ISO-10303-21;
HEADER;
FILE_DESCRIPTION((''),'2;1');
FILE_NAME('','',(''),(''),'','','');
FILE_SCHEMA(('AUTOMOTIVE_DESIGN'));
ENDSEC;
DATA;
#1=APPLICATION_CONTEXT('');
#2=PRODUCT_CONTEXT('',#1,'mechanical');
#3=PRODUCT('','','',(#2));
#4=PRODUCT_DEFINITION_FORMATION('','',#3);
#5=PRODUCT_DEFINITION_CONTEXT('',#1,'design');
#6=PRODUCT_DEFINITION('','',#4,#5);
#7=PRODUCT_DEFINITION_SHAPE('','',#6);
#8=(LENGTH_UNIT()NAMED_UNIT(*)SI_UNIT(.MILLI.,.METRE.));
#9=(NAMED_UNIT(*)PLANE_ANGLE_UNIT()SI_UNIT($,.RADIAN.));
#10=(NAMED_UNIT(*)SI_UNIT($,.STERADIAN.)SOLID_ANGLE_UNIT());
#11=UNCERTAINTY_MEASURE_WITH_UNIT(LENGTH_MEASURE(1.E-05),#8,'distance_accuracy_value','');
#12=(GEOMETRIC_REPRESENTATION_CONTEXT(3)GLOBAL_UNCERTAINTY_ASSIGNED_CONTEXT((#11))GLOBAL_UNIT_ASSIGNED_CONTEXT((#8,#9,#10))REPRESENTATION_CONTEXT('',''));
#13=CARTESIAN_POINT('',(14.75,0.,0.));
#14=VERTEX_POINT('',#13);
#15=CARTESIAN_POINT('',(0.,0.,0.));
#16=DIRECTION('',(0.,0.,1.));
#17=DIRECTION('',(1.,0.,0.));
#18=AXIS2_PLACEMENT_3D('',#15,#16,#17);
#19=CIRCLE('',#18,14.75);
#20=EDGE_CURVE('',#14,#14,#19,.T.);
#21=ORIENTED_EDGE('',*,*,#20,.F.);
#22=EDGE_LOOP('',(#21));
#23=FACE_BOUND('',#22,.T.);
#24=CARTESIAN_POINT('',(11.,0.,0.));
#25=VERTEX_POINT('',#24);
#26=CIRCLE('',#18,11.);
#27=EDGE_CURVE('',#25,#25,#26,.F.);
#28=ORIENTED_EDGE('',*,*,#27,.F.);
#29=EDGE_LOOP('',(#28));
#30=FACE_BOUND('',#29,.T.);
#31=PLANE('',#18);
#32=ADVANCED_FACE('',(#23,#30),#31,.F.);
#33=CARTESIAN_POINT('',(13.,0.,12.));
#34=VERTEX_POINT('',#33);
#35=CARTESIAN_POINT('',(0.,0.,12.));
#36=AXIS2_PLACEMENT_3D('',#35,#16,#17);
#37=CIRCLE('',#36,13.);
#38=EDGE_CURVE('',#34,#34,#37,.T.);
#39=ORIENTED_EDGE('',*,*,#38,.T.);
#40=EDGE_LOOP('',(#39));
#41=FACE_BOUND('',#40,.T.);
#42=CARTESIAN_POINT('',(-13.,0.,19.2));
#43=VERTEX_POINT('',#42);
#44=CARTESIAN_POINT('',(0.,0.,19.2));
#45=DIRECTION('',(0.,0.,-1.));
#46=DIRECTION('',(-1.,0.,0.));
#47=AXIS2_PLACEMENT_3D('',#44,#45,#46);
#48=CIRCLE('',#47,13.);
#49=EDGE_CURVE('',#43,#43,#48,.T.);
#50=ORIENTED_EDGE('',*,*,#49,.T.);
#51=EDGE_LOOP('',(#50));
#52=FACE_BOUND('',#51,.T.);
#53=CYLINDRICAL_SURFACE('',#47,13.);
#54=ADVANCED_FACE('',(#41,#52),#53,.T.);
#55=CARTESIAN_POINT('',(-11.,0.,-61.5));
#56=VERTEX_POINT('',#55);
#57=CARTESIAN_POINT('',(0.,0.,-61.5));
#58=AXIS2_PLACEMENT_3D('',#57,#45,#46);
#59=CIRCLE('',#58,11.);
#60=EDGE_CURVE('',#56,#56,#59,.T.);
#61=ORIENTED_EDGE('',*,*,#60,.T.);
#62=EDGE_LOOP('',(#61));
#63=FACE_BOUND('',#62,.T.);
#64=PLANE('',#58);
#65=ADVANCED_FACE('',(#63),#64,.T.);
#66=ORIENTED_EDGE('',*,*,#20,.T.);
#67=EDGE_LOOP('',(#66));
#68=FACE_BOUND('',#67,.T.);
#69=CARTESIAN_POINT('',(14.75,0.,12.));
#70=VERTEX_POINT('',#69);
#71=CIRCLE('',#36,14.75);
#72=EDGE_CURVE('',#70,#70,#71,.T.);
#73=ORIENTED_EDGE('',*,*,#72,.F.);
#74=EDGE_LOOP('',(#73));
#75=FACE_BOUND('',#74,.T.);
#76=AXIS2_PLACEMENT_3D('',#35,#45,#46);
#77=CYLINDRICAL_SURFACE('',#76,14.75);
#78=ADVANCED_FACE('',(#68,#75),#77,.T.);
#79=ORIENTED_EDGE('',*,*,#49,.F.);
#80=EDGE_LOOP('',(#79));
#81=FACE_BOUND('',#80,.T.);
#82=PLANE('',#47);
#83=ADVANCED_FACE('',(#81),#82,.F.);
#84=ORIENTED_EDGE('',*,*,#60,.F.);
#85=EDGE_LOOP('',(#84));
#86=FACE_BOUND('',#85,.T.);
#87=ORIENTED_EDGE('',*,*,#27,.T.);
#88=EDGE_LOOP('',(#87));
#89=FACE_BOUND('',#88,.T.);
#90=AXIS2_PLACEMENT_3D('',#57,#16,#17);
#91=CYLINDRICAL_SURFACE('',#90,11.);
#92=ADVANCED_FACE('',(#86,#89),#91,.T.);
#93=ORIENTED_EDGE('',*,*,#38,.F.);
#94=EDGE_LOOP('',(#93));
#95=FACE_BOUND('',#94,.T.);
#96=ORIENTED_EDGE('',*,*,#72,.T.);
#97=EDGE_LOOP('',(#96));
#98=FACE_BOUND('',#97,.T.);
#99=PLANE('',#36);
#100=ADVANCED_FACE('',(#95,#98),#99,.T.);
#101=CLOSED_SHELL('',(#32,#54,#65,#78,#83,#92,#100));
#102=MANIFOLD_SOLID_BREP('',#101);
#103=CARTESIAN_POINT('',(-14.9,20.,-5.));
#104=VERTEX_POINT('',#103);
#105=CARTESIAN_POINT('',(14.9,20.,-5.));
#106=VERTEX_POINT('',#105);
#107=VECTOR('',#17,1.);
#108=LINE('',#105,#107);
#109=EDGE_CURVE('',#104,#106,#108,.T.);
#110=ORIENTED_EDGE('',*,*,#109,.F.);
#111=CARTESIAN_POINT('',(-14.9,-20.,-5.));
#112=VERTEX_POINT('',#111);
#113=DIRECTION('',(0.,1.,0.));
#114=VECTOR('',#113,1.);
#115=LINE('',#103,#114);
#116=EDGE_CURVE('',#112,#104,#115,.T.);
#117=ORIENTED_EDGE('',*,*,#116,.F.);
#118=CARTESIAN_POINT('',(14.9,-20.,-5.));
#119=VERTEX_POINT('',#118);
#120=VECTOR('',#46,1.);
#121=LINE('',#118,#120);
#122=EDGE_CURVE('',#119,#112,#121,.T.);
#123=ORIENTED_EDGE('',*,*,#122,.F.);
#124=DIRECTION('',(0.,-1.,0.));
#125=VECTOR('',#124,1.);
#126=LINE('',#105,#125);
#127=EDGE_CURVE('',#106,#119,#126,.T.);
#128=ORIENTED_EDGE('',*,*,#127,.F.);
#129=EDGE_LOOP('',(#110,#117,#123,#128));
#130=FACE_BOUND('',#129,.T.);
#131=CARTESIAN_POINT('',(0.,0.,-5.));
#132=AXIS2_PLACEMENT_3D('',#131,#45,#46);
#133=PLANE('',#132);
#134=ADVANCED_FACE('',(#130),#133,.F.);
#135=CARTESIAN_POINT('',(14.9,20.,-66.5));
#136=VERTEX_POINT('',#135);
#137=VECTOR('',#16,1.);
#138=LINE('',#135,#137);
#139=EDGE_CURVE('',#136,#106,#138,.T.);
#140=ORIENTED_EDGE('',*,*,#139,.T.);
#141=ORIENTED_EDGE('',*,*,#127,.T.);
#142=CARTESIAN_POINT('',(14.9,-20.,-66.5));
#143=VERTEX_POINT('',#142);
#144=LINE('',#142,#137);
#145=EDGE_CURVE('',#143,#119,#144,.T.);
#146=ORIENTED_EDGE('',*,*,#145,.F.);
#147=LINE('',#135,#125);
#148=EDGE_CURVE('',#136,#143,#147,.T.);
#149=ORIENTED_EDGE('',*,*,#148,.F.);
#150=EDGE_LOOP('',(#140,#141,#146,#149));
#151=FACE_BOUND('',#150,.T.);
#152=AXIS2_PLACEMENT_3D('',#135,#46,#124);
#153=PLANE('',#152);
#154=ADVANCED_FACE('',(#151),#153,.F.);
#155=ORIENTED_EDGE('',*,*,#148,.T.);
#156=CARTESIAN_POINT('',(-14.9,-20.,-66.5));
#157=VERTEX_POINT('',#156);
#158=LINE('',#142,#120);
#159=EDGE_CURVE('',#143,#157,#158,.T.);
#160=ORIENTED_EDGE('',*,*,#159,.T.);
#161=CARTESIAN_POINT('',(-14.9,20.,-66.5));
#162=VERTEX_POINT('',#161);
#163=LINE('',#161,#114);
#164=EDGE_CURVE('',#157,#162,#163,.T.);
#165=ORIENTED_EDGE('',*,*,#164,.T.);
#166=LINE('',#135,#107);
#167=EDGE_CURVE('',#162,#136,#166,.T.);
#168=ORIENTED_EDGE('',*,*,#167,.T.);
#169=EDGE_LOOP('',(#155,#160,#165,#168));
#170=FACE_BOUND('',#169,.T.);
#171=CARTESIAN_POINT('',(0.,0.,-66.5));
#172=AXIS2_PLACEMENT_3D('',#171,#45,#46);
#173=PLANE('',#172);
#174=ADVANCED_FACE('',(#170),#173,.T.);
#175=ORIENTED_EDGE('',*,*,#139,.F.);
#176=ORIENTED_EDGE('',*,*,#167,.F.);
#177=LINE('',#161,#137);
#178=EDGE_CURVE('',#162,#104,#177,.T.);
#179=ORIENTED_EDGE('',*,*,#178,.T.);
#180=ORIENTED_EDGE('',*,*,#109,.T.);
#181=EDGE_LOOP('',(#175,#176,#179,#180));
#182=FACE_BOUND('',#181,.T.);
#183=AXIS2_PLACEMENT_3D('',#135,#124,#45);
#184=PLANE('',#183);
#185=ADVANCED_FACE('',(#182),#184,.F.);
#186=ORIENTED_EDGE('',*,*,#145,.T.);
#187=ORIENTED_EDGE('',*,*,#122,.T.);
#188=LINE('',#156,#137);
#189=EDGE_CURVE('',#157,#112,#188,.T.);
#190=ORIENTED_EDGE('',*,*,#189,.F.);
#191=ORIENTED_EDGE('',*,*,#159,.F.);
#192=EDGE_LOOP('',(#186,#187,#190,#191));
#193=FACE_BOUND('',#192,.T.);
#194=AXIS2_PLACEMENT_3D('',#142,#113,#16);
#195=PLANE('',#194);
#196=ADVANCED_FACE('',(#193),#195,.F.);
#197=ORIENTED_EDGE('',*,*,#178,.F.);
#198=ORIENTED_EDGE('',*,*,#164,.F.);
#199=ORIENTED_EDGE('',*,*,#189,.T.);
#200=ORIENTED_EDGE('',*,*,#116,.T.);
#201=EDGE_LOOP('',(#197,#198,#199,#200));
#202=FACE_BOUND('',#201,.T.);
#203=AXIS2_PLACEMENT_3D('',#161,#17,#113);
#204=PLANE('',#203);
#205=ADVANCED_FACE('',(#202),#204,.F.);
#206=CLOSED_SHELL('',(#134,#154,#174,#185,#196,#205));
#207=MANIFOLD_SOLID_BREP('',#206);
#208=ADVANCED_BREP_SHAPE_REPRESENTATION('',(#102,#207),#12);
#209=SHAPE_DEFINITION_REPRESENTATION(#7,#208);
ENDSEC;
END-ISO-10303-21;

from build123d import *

# Parameters (mm, degrees)
SKETCH1_R           = 14.75
BOSS_EXTRUDE1_DEPTH = 12
SKETCH2_R           = 13
BOSS_EXTRUDE2_DEPTH = 19.2
SKETCH4_R           = 11
BOSS_EXTRUDE4_DEPTH = 61.5
BOSS_EXTRUDE3_START = 5
SKETCH3_W           = 29.8
SKETCH3_H           = 40
BOSS_EXTRUDE3_DEPTH = 61.5


with BuildPart() as part:
    # Sketch1 → Boss-Extrude1 (new body)
    with BuildSketch(Plane.XY):
        Circle(SKETCH1_R)
    extrude(amount=BOSS_EXTRUDE1_DEPTH)

    # Sketch2 → Boss-Extrude2 (add)
    with BuildSketch(Plane(origin=(0, 0, 0), x_dir=(-1, 0, 0), z_dir=(0, 0, -1))):
        Circle(SKETCH2_R)
    extrude(amount=-BOSS_EXTRUDE2_DEPTH)

    # Sketch4 → Boss-Extrude4 (add)
    with BuildSketch(Plane(origin=(0, 0, 0), x_dir=(-1, 0, 0), z_dir=(0, 0, -1))):
        with Locations(Location((0, 0, 0), (0, 0, 180))):
            Circle(SKETCH4_R)
    extrude(amount=BOSS_EXTRUDE4_DEPTH)


with BuildPart() as body_2:
    # Sketch3 → Boss-Extrude3 (new body)
    with BuildSketch(Plane(origin=(0, 0, 0), x_dir=(-1, 0, 0), z_dir=(0, 0, -1)).offset(BOSS_EXTRUDE3_START)):
        Rectangle(SKETCH3_W, SKETCH3_H)
    extrude(amount=BOSS_EXTRUDE3_DEPTH)


solid = Compound([part.part, body_2.part])
